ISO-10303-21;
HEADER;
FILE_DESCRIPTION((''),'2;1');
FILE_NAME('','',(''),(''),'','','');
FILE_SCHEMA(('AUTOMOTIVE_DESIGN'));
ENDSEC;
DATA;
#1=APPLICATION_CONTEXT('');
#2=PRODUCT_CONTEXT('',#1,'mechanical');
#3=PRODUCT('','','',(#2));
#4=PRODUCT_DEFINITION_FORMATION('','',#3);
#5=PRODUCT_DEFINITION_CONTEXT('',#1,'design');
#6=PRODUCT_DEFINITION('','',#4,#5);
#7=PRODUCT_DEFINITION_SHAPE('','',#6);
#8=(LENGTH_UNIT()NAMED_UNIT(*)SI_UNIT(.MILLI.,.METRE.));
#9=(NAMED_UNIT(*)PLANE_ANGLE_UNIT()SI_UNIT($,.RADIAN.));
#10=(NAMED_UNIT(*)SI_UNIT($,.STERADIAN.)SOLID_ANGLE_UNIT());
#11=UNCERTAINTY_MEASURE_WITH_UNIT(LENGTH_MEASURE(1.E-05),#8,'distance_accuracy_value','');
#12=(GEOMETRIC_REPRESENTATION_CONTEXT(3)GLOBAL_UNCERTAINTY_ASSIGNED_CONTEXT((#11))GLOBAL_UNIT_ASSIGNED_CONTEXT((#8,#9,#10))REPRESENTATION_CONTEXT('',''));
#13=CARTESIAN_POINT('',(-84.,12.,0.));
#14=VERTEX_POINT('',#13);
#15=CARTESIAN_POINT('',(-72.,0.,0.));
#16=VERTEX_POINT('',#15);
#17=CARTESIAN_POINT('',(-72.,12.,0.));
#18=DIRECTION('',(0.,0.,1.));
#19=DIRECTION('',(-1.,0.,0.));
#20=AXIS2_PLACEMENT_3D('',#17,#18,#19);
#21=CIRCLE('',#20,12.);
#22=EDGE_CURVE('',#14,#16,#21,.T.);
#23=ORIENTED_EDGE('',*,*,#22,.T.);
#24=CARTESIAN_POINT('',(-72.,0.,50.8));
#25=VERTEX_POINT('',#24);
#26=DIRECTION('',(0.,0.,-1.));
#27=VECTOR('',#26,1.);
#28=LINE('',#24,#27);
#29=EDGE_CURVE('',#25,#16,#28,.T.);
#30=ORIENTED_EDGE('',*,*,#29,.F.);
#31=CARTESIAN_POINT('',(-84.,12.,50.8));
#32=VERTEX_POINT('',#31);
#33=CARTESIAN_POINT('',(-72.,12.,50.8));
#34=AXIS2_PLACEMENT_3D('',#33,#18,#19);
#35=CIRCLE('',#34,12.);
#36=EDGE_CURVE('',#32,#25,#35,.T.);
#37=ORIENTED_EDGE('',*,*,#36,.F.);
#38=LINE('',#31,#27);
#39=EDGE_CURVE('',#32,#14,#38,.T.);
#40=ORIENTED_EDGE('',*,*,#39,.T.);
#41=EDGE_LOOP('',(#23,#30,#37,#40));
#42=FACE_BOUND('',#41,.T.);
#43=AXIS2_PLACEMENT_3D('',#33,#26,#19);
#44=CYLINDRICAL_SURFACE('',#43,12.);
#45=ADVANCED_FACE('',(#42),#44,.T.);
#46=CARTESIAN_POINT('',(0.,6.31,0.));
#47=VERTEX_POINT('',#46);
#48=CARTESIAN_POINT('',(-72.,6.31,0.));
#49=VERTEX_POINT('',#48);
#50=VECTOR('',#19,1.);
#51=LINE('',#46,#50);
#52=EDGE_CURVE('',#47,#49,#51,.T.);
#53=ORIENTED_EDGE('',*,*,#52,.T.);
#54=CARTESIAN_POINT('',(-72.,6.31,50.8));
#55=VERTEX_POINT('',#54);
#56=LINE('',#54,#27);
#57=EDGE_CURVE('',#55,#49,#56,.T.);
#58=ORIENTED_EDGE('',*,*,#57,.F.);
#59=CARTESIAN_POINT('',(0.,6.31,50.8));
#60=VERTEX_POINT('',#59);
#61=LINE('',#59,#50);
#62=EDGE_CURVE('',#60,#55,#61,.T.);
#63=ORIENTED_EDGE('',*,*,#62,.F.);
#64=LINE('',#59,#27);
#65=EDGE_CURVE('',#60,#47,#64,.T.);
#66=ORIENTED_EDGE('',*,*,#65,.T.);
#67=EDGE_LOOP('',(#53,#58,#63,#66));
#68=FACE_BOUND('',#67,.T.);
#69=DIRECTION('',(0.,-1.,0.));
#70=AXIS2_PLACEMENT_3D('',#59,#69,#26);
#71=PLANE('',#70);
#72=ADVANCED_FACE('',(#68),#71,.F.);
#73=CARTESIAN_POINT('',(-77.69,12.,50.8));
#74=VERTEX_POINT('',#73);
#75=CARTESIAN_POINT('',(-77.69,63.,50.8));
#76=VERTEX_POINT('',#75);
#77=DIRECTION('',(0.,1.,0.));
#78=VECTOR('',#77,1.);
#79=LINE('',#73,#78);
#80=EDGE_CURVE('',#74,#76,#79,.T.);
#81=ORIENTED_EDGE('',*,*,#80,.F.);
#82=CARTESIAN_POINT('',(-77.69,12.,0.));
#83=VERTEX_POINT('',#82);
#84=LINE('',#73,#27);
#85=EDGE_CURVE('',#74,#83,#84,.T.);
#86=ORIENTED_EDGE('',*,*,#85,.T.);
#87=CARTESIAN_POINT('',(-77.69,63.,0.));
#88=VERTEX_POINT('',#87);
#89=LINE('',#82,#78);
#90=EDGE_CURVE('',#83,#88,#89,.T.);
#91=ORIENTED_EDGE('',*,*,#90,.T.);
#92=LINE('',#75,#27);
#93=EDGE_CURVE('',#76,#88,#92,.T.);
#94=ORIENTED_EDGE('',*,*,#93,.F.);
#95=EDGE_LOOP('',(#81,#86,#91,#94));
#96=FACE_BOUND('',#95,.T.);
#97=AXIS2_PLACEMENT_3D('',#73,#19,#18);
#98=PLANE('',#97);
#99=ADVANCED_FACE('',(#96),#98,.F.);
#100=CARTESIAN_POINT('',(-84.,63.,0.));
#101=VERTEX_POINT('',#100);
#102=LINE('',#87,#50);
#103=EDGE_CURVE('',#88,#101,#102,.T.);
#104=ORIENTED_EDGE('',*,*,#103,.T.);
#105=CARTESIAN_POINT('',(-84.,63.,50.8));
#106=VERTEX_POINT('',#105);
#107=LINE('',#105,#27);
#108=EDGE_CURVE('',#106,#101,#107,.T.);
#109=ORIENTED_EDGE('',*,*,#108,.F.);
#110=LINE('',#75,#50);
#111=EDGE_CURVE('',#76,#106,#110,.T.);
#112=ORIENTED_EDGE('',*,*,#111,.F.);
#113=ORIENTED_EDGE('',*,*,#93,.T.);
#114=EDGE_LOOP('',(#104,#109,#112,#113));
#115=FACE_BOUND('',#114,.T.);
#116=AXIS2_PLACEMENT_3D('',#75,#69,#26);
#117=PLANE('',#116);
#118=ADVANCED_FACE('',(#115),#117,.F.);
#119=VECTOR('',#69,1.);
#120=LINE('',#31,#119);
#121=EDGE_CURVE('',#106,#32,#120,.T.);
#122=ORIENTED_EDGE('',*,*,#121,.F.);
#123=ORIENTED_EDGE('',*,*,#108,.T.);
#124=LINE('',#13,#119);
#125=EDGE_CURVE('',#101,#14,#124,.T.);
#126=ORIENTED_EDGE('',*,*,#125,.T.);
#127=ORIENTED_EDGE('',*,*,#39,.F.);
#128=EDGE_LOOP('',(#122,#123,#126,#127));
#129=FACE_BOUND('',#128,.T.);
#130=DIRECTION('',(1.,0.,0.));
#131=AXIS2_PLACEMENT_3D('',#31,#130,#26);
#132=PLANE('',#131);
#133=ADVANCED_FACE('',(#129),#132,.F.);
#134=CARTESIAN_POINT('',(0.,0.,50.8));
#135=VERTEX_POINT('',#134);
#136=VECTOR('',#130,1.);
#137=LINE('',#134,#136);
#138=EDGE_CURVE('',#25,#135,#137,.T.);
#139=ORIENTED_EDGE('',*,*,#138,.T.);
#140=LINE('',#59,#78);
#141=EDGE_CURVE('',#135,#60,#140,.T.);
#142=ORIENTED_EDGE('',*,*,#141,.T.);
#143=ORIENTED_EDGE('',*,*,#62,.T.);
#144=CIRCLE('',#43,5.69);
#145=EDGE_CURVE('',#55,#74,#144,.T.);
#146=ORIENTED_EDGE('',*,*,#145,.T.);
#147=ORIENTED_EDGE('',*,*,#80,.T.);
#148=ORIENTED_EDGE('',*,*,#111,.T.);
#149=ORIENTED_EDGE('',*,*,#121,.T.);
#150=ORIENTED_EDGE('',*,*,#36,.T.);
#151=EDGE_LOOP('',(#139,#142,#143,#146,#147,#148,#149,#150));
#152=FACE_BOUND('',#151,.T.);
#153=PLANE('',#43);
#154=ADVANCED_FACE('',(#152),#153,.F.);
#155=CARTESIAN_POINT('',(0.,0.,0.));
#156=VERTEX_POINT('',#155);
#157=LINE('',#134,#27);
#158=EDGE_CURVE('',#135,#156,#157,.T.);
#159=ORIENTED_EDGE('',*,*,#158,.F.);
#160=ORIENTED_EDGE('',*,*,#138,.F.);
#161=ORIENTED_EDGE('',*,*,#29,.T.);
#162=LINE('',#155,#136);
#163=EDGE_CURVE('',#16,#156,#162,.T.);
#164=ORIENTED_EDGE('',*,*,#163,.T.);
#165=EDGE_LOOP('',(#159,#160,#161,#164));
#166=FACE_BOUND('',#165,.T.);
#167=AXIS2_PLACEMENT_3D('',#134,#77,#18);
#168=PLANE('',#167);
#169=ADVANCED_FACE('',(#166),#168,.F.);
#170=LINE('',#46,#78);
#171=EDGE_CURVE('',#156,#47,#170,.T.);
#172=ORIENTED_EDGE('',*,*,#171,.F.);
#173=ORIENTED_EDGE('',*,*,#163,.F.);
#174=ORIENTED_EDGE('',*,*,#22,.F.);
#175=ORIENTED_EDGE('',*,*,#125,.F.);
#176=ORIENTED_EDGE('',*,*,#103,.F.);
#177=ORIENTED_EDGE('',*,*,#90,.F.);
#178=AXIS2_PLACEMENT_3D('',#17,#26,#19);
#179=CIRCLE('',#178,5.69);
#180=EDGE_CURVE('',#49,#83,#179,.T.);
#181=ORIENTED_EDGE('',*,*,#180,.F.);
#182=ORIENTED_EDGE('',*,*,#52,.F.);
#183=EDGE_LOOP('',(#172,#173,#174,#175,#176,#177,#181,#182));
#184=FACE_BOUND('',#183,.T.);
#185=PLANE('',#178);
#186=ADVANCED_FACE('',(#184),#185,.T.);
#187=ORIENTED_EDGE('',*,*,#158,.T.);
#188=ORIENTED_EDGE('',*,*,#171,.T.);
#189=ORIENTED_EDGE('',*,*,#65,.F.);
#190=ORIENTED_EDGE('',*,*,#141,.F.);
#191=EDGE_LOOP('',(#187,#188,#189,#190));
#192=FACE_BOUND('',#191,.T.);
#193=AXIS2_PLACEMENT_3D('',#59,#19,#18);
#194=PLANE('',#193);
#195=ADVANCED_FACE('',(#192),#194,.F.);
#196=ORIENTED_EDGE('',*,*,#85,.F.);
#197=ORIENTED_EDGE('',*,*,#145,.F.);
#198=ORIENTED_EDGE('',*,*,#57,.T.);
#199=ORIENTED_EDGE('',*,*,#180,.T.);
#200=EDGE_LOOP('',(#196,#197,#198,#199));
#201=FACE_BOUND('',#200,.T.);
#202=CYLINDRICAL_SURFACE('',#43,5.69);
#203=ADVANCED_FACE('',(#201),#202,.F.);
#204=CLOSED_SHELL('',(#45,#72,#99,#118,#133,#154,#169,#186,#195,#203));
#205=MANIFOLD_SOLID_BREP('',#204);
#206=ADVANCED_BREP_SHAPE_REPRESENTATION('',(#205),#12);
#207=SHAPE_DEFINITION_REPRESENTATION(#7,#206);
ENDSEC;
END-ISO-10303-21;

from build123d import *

# Parameters (mm, degrees)
SALIENTE_EXTRUIR3_DEPTH = 50.8


with BuildPart() as part:
    # Croquis13 → Saliente-Extruir3 (new body)
    with BuildSketch(Plane.XY):
        with BuildLine():
            Line((0, 0), (-72, 0))
            ThreePointArc((-72, 0), (-80.485281374, 3.514718626), (-84, 12))
            Line((-84, 12), (-84, 63))
            Line((-84, 63), (-77.69, 63))
            Line((-77.69, 63), (-77.69, 12))
            ThreePointArc((-77.69, 12), (-76.023437585, 7.976562415), (-72, 6.31))
            Line((-72, 6.31), (0, 6.31))
            Line((0, 6.31), (0, 0))
        make_face()
    extrude(amount=SALIENTE_EXTRUIR3_DEPTH)


solid = part.part
